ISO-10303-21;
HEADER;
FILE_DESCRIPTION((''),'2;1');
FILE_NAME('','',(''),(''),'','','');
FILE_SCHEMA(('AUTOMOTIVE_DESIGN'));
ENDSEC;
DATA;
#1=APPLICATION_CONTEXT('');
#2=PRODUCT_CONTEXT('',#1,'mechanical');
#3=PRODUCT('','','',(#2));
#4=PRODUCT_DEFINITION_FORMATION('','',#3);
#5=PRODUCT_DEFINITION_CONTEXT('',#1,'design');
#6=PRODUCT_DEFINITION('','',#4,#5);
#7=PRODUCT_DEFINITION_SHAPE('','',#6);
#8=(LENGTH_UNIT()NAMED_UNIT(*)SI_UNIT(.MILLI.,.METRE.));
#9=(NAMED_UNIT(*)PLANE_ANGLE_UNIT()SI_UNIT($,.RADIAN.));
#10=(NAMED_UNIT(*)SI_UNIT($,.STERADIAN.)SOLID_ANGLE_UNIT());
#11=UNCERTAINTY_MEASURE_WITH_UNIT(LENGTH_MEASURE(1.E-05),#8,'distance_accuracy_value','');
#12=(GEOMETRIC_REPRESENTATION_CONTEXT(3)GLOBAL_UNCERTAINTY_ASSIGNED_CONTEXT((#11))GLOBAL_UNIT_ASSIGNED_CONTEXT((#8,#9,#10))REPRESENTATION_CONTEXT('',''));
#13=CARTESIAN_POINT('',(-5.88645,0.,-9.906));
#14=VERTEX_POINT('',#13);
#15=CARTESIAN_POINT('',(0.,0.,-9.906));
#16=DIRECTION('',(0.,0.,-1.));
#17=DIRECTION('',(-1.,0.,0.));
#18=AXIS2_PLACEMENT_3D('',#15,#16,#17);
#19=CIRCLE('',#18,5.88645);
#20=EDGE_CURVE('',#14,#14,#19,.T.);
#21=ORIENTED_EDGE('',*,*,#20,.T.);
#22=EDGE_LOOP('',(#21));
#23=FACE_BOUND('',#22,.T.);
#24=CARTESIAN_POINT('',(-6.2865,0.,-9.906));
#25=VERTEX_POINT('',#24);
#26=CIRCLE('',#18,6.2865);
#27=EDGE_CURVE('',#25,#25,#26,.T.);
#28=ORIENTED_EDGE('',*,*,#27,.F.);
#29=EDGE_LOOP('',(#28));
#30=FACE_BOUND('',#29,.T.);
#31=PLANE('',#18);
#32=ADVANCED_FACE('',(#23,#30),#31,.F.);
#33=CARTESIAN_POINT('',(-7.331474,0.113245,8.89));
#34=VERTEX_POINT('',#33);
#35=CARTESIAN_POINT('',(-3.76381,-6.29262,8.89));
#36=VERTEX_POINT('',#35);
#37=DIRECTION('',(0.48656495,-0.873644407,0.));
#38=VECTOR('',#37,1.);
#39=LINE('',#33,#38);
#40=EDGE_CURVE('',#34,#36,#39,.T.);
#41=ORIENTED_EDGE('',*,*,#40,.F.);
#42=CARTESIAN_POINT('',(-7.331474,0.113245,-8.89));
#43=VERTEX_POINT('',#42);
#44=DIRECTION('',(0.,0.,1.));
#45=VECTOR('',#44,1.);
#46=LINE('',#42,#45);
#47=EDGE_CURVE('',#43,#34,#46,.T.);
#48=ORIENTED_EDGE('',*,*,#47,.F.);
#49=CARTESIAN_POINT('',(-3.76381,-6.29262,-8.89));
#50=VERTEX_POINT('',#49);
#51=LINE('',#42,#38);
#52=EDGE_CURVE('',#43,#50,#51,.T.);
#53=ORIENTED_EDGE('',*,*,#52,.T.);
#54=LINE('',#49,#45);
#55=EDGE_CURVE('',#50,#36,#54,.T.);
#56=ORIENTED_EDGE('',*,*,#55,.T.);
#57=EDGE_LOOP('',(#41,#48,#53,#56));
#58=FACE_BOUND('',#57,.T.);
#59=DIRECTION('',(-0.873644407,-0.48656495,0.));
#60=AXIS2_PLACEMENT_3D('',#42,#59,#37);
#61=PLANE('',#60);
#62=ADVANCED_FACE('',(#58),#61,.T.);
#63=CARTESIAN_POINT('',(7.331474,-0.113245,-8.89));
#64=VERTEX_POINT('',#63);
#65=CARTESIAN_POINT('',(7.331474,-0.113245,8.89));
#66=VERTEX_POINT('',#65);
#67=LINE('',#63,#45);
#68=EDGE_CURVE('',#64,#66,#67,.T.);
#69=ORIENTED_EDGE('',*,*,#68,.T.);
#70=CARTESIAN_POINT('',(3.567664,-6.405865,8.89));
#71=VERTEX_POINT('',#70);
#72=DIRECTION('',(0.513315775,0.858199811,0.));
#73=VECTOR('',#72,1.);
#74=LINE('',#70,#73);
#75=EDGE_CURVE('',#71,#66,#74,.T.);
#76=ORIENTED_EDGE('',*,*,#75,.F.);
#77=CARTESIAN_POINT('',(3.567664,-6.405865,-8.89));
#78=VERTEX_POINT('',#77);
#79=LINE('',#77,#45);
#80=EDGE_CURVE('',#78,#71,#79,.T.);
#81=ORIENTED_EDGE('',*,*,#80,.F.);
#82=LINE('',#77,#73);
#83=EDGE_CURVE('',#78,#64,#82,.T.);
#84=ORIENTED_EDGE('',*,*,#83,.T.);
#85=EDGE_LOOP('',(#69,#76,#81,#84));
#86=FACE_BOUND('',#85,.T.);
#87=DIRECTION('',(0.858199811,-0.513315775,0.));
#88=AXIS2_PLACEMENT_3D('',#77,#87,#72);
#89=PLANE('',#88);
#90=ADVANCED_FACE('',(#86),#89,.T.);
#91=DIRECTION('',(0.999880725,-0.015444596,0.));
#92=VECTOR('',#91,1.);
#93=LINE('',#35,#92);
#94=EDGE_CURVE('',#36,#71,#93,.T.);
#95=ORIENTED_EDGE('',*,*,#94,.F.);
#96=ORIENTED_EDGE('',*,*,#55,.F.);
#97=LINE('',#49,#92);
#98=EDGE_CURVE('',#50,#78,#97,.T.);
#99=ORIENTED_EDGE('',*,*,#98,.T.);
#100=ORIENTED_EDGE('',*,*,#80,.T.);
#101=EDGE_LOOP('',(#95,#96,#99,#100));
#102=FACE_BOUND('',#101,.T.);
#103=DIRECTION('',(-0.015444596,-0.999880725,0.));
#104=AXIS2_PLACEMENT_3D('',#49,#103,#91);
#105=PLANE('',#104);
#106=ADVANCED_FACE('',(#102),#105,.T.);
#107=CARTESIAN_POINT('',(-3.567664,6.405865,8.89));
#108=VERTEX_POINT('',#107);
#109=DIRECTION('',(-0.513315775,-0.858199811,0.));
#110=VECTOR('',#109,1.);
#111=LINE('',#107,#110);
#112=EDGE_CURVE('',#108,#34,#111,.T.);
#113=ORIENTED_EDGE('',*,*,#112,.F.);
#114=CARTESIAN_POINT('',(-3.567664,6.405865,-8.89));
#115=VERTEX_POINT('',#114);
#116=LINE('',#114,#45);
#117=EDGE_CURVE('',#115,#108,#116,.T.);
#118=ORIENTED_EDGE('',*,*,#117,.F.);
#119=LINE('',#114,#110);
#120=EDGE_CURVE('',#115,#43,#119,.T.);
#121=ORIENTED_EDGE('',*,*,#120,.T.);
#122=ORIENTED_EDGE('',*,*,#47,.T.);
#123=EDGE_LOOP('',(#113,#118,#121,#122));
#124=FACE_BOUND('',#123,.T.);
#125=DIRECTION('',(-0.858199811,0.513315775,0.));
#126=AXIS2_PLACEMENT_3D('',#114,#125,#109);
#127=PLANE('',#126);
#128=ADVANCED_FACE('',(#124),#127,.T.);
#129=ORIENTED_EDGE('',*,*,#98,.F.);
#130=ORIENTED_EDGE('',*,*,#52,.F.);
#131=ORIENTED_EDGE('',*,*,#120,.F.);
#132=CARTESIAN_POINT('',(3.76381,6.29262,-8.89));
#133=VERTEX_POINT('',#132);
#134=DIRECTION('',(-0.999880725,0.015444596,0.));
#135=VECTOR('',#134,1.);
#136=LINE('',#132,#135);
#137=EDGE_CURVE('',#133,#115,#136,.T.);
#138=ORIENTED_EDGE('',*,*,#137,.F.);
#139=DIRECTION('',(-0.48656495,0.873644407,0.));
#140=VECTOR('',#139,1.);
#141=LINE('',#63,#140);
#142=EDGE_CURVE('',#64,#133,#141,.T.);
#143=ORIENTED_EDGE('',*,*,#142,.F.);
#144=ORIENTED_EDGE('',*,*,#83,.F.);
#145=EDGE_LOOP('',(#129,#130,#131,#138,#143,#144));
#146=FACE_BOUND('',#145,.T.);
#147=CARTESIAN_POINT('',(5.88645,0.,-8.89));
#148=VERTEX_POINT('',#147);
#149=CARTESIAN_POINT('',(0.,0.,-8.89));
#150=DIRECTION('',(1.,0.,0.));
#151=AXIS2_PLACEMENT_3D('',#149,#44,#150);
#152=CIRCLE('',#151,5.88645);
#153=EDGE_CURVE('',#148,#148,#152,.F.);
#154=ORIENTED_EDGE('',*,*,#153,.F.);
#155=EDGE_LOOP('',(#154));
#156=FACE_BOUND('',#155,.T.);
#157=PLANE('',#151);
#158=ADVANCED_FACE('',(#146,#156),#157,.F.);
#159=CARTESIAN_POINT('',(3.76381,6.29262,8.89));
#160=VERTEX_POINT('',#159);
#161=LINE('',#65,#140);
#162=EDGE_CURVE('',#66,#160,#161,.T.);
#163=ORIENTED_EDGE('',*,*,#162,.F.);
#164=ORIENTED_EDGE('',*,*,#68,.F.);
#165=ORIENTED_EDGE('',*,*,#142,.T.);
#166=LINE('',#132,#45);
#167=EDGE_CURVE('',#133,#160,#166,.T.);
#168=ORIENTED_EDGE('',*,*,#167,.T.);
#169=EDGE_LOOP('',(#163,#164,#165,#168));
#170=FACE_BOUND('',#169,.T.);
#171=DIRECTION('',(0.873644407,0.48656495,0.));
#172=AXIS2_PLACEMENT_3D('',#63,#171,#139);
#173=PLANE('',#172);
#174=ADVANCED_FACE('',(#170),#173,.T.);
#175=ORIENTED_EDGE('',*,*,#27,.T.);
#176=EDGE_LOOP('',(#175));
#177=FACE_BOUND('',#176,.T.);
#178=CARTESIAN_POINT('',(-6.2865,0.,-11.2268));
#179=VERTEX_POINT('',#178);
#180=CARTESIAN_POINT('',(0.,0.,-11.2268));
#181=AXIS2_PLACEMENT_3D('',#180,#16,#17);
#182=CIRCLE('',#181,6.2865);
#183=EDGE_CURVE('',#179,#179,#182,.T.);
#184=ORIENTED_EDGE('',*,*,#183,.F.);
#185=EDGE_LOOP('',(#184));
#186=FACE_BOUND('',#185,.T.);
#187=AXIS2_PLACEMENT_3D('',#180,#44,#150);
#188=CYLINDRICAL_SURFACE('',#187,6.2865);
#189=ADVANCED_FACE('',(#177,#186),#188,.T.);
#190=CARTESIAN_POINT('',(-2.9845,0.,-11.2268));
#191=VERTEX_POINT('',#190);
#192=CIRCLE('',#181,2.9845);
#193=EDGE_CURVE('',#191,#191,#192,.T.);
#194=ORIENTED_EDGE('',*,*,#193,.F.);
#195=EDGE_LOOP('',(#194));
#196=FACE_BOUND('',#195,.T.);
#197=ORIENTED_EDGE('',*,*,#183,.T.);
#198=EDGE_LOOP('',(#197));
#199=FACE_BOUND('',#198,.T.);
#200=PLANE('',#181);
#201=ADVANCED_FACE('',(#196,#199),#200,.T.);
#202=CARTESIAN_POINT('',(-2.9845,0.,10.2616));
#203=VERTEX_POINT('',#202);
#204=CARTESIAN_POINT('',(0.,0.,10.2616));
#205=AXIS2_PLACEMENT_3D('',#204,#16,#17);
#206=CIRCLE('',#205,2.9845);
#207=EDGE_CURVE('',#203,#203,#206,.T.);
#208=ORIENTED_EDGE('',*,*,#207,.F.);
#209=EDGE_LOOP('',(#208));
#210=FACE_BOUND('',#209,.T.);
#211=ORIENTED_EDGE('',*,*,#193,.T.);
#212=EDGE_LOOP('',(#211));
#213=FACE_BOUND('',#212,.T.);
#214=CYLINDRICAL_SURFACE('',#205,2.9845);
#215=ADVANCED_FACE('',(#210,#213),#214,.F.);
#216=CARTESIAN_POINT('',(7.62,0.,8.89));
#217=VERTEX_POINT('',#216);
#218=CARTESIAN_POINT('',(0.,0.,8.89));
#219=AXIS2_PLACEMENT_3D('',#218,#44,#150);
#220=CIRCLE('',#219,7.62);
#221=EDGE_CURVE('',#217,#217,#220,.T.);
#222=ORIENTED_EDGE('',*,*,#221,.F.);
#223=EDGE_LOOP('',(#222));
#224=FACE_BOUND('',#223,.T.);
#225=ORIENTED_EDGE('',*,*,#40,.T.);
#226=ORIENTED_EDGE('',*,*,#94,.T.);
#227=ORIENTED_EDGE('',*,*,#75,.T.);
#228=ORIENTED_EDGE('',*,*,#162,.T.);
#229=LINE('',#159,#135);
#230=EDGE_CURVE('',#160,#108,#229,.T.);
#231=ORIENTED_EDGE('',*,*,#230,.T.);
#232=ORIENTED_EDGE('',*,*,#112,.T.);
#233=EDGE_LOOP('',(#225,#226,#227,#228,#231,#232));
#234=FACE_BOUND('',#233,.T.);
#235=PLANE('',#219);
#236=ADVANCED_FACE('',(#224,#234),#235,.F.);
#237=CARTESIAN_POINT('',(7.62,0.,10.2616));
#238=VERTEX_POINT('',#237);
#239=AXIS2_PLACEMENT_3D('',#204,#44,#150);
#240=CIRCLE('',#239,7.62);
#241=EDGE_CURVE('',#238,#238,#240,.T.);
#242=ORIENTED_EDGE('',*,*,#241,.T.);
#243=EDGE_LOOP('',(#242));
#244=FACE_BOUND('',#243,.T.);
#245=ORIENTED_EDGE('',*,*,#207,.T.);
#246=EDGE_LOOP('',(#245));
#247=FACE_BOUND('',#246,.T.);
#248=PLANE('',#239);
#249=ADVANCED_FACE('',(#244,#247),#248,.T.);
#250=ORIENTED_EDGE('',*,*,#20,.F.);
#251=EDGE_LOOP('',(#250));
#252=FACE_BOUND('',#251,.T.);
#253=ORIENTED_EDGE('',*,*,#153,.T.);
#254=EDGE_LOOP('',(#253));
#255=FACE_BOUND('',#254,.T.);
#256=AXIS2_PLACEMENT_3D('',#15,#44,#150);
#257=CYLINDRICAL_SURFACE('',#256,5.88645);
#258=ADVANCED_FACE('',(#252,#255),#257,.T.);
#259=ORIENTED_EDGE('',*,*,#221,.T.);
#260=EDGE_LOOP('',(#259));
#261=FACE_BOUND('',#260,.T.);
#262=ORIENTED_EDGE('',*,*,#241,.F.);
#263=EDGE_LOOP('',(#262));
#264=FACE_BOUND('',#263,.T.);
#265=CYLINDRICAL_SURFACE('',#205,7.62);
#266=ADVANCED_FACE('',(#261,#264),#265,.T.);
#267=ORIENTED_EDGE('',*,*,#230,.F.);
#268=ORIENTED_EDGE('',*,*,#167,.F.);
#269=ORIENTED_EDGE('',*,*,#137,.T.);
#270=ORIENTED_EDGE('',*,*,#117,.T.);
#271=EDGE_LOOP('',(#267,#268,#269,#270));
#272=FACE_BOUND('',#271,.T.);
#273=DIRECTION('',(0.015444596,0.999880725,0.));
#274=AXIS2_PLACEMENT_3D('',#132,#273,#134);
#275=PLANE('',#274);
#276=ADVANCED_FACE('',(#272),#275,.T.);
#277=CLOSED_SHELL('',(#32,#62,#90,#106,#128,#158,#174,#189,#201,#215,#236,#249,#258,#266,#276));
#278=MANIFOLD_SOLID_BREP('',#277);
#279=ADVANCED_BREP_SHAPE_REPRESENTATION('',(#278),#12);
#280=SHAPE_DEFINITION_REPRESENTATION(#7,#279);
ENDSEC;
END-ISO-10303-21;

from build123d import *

# Parameters (mm, degrees)
BOSS_EXTRUDE1_DEPTH      = 8.89
BOSS_EXTRUDE1_DEPTH_BACK = 8.89
SKETCH2_R                = 7.62
BOSS_EXTRUDE3_DEPTH      = 1.3716
SKETCH4_R                = 5.88645
BOSS_EXTRUDE4_DEPTH      = 1.016
SKETCH5_R                = 6.2865
BOSS_EXTRUDE5_DEPTH      = 1.3208
SKETCH6_R                = 2.9845
CUT_EXTRUDE2_DEPTH       = 25.039137559


with BuildPart() as part:
    # Sketch1 → Boss-Extrude1 (new, two sides: drawn at the far end of the back side and taken through both)
    with BuildSketch(Plane.XY.offset(-BOSS_EXTRUDE1_DEPTH_BACK)):
        Polygon((3.763810109, 6.292620026), (-3.567663745, 6.405865183), (-7.331473854, 0.113245156), (-3.763810109, -6.292620026), (3.567663745, -6.405865183), (7.331473854, -0.113245156), align=None)
    extrude(amount=BOSS_EXTRUDE1_DEPTH + BOSS_EXTRUDE1_DEPTH_BACK)

    # Sketch2 → Boss-Extrude3 (add)
    with BuildSketch(Plane.XY.offset(8.89)):
        Circle(SKETCH2_R)
    extrude(amount=BOSS_EXTRUDE3_DEPTH)

    # Sketch4 → Boss-Extrude4 (add)
    with BuildSketch(Plane(origin=(0, 0, -8.89), x_dir=(-1, 0, 0), z_dir=(0, 0, -1))):
        with Locations(Location((0, 0, 0), (0, 0, 180))):
            Circle(SKETCH4_R)
    extrude(amount=BOSS_EXTRUDE4_DEPTH)

    # Sketch5 → Boss-Extrude5 (add)
    with BuildSketch(Plane(origin=(0, 0, -9.906), x_dir=(-1, 0, 0), z_dir=(0, 0, -1))):
        Circle(SKETCH5_R)
    extrude(amount=BOSS_EXTRUDE5_DEPTH)

    # Sketch6 → Cut-Extrude2 (cut, through all)
    with BuildSketch(Plane(origin=(0, 0, -11.2268), x_dir=(-1, 0, 0), z_dir=(0, 0, -1))):
        Circle(SKETCH6_R)
    extrude(amount=-CUT_EXTRUDE2_DEPTH, mode=Mode.SUBTRACT)


solid = part.part
